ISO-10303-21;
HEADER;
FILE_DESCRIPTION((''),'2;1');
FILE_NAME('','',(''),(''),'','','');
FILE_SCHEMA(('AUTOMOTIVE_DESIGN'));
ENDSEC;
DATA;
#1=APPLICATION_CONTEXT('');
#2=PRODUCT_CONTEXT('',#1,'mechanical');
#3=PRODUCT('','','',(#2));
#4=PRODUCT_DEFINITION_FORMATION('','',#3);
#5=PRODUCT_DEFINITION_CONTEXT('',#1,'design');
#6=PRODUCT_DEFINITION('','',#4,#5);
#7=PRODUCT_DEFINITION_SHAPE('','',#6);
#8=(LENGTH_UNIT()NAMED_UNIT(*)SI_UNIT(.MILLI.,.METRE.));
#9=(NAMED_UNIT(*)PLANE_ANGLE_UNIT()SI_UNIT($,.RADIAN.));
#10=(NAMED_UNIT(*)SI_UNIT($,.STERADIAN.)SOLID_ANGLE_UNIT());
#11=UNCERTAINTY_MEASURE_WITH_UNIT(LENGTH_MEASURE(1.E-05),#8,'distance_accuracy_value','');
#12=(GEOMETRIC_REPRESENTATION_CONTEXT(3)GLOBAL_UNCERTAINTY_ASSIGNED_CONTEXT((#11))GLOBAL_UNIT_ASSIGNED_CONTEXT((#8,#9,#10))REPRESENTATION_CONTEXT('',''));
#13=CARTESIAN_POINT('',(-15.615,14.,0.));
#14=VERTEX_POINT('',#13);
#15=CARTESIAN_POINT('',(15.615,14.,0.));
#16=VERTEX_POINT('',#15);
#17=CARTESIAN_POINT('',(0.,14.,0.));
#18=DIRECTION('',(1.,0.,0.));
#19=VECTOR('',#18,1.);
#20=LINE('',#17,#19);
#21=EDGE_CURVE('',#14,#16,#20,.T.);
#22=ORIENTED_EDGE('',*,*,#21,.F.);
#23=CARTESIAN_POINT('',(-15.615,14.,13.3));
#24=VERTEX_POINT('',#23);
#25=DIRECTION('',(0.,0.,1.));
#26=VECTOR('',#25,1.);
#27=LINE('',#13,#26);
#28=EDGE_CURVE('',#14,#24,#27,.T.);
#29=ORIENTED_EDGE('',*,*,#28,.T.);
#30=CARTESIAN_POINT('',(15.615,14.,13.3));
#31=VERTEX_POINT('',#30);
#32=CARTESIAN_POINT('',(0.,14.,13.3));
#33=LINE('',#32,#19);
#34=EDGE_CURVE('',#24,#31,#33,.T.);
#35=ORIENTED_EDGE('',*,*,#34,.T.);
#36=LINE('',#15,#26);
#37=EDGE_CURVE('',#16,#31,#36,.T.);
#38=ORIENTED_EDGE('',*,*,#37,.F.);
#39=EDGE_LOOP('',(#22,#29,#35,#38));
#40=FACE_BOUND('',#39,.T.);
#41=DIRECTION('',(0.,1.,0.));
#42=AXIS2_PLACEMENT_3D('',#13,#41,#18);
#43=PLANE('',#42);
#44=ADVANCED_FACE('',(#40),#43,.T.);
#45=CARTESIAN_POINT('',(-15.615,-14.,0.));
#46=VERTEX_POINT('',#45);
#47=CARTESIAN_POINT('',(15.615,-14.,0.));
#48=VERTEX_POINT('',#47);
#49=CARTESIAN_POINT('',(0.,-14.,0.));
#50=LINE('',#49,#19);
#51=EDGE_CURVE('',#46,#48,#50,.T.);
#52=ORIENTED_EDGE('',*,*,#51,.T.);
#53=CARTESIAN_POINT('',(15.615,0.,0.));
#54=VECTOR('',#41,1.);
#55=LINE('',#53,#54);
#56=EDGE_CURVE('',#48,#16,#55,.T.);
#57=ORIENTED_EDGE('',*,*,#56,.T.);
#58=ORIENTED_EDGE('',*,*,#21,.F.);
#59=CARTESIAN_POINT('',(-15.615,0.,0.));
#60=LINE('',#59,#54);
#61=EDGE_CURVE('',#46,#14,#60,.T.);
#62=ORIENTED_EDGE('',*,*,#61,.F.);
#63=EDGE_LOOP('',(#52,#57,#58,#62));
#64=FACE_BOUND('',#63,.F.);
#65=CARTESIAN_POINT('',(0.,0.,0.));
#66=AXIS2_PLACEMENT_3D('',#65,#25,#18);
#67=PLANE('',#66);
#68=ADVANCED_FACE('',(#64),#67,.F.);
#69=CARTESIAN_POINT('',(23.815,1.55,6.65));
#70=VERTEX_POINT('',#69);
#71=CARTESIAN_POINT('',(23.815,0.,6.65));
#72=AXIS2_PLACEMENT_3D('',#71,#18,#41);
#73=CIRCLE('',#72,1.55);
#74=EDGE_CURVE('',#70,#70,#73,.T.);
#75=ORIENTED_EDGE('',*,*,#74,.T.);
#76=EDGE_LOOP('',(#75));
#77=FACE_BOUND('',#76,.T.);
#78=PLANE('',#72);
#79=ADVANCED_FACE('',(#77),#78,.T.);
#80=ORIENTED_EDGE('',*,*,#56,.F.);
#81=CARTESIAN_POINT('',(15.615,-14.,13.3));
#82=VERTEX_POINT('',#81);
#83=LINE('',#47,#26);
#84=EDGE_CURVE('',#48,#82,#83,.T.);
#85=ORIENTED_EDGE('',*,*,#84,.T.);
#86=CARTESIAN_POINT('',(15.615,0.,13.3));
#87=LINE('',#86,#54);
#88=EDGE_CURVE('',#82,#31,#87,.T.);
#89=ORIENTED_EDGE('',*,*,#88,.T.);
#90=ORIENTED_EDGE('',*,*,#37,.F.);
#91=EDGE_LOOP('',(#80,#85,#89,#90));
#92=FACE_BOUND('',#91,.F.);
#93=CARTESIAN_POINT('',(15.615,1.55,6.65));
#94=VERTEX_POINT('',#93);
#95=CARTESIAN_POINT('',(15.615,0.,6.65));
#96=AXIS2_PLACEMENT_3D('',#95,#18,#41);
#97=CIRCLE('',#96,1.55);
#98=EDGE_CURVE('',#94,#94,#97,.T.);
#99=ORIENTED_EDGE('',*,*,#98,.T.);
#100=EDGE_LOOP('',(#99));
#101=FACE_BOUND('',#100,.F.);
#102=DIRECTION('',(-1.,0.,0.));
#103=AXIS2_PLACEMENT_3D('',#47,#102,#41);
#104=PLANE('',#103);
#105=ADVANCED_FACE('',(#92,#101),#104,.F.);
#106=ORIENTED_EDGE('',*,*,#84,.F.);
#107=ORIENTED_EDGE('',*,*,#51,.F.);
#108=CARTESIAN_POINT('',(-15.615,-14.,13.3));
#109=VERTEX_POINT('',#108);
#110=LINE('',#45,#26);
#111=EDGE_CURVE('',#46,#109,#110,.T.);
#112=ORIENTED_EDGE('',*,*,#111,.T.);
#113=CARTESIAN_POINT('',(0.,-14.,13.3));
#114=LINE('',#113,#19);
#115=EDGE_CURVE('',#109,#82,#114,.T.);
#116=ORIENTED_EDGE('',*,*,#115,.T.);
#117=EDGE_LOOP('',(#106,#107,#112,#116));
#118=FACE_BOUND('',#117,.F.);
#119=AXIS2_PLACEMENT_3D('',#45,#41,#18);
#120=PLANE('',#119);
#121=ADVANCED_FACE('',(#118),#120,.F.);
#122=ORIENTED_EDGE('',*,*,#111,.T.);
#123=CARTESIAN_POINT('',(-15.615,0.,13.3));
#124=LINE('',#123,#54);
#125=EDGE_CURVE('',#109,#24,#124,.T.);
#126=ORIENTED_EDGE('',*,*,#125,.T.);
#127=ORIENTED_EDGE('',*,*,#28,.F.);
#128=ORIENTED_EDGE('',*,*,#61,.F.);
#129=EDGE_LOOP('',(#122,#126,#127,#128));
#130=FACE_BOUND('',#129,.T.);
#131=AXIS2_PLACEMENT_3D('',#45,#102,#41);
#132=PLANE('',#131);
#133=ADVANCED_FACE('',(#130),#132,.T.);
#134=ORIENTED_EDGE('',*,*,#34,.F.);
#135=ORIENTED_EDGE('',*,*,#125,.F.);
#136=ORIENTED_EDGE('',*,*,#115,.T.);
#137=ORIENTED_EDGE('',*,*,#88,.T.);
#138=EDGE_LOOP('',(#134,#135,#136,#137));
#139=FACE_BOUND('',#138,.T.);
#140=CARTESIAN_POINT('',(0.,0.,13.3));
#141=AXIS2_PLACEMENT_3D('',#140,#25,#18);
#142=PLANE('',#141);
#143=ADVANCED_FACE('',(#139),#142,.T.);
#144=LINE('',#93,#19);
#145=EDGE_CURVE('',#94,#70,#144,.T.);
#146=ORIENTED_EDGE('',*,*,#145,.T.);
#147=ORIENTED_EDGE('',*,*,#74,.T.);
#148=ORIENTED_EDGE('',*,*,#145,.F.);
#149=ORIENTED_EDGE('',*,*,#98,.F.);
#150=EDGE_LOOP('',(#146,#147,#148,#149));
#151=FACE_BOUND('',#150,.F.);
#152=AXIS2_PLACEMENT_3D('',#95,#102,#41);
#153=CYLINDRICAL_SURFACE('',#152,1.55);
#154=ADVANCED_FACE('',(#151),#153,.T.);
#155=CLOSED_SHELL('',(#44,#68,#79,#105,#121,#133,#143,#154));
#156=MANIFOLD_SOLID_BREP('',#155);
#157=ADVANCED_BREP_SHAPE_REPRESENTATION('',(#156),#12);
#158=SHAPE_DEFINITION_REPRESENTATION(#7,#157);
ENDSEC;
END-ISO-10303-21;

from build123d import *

# Parameters (mm, degrees)
F0_W     = 31.23
F0_H     = 28
F1_DEPTH = 13.3
F2_R     = 1.55
F3_DEPTH = 8.2


with BuildPart() as f1:
    # F0 (on Top) → F1 (new body)
    with BuildSketch(Plane.XY):
        Rectangle(F0_W, F0_H)
    extrude(amount=F1_DEPTH)

    # F2 (on face) → F3 (join)
    with BuildSketch(Plane.YZ.offset(15.615)):
        with Locations((0, 6.65)):
            Circle(F2_R)
    extrude(amount=F3_DEPTH)


solid = f1.part
